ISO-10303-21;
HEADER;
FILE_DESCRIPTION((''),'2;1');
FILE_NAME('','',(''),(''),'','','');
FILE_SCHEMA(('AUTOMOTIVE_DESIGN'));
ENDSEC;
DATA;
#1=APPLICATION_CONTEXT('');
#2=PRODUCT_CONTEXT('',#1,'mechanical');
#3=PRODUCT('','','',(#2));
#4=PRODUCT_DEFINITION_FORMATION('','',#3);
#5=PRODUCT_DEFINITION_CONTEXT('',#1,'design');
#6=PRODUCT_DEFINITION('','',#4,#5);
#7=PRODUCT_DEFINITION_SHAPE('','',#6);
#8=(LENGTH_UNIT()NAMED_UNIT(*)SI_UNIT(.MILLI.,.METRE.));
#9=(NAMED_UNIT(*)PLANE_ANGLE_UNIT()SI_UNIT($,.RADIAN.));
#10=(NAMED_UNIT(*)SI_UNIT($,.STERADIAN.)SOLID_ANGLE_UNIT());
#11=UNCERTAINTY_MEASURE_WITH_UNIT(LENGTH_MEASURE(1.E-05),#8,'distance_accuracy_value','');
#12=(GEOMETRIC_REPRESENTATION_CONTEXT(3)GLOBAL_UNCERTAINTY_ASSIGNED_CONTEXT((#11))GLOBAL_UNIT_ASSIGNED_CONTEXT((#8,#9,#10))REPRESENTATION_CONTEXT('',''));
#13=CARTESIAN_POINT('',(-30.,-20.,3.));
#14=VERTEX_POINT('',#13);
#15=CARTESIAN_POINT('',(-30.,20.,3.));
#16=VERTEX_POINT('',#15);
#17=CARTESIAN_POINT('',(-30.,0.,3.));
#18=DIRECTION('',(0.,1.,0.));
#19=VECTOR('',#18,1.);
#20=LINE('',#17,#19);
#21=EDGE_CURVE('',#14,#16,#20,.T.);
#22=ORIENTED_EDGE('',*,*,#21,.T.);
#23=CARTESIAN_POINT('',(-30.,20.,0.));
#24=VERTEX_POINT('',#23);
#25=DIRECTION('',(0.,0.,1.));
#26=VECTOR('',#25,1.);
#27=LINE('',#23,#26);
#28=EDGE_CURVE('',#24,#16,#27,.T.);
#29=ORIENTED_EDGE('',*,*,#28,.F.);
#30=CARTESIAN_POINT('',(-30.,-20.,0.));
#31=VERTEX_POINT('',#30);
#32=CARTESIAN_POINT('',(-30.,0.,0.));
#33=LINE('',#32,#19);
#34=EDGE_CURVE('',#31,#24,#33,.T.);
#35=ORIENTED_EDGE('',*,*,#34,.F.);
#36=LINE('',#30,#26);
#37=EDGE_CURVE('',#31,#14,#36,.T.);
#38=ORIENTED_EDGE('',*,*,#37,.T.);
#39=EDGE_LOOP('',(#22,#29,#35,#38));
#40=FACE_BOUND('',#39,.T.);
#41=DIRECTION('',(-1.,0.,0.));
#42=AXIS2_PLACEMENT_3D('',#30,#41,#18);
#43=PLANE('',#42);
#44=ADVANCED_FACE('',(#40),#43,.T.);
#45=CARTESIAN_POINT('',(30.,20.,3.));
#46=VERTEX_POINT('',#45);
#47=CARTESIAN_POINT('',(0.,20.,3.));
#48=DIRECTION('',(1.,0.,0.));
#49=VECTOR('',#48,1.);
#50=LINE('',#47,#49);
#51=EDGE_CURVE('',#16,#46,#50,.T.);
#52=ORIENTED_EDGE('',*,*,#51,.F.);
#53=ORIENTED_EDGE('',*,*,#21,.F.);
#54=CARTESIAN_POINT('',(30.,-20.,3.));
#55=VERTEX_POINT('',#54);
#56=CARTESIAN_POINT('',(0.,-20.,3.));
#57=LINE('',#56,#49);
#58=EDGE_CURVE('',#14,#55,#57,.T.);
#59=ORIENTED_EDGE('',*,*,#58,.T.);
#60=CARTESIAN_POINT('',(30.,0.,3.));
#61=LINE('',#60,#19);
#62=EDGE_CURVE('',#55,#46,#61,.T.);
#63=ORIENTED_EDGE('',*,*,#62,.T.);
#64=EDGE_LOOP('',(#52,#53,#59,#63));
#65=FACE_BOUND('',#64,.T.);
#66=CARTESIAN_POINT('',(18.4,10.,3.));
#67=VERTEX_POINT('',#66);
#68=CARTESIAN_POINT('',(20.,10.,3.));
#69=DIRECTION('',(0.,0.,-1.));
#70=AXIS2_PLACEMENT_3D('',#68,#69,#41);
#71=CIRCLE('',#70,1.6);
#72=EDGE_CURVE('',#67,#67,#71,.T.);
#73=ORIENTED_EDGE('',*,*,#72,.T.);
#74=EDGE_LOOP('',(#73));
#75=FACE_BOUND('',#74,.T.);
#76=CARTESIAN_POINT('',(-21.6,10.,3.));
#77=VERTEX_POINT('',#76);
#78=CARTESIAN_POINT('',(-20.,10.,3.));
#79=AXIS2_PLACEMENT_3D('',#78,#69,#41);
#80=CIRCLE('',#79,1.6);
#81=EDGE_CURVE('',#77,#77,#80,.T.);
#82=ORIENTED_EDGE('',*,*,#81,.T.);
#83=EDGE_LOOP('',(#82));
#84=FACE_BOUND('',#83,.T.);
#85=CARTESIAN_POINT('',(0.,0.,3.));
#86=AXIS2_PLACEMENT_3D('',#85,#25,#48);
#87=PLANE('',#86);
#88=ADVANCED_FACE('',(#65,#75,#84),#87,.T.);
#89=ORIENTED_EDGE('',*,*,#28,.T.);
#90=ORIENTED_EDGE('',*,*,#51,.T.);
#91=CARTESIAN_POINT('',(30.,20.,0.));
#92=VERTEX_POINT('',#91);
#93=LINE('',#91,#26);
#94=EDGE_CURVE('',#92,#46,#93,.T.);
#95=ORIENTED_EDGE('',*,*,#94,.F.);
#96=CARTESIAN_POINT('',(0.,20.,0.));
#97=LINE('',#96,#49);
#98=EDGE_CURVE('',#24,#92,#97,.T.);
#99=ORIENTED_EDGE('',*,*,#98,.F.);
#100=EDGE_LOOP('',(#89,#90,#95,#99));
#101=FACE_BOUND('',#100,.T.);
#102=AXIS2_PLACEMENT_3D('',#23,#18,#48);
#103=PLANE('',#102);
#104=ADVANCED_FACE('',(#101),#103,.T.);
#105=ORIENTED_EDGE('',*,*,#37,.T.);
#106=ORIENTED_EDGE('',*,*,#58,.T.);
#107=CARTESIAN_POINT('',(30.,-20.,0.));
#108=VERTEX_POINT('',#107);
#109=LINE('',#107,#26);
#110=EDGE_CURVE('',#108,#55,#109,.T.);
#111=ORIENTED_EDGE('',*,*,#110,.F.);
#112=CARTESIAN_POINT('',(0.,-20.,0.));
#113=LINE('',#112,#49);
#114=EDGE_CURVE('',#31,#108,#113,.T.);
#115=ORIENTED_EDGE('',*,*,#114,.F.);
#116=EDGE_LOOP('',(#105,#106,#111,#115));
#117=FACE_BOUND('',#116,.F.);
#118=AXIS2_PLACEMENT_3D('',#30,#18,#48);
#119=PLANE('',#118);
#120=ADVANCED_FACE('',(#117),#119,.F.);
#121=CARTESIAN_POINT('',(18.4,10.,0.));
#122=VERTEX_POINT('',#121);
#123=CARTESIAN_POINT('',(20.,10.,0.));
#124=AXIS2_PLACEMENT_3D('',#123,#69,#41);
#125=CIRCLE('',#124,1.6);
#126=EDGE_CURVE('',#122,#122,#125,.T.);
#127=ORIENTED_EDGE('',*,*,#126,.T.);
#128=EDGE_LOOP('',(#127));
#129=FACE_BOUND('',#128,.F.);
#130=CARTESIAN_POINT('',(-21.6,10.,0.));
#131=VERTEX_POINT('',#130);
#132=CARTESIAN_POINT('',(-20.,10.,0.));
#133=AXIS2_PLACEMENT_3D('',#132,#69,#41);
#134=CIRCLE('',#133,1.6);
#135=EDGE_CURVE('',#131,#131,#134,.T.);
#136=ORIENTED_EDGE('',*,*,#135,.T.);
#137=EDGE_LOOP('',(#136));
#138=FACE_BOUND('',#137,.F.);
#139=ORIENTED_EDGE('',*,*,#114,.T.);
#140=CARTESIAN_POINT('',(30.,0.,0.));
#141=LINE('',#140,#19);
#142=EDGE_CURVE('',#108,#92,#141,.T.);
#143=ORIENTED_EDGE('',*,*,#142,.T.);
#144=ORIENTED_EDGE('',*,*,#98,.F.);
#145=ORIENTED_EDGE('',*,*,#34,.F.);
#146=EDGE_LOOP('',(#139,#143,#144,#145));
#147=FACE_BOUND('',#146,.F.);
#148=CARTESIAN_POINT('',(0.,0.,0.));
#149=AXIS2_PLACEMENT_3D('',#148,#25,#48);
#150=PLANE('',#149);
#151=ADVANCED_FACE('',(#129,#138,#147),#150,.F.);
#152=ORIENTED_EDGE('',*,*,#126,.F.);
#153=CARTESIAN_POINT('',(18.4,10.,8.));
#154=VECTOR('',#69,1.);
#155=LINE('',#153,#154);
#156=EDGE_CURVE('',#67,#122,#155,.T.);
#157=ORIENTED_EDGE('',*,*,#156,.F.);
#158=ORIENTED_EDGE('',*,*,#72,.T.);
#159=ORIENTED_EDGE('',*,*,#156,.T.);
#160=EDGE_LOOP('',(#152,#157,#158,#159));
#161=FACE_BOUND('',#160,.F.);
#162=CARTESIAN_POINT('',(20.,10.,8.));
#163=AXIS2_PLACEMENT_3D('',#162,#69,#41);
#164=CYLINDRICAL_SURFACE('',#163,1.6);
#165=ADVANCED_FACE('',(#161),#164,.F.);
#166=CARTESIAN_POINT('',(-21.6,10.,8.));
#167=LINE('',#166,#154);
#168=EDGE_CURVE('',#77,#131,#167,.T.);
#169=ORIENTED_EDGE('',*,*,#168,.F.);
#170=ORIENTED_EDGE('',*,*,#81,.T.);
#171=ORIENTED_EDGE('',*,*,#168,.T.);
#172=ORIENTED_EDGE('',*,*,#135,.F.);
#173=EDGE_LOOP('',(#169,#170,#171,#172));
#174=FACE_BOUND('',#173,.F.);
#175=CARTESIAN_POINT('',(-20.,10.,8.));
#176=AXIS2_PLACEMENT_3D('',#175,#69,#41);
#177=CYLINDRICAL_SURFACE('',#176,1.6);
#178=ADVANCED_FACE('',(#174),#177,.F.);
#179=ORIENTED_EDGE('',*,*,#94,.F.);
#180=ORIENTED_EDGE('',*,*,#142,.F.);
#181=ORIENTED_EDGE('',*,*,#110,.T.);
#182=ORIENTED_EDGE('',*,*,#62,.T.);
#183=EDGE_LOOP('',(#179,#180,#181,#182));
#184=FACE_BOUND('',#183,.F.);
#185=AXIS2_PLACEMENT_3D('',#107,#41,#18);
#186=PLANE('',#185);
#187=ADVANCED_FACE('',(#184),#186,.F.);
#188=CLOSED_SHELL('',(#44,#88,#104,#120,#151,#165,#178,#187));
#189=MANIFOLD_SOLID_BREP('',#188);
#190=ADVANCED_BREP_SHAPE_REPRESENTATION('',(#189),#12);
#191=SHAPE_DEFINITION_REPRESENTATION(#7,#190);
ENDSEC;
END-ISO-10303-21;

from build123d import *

# Parameters (mm, degrees)
F0_W     = 60
F0_H     = 40
F1_DEPTH = 3
F3_D     = 3.2
F3_DEPTH = 5


with BuildPart() as f1:
    # F0 (on Top) → F1 (new body)
    with BuildSketch(Plane.XY):
        Rectangle(F0_W, F0_H)
    extrude(amount=F1_DEPTH)

    # F3
    with Locations(Plane.XY.offset(3)):
        with Locations((-20, 10), (20, 10)):
            Hole(F3_D / 2, depth=F3_DEPTH)


solid = f1.part
